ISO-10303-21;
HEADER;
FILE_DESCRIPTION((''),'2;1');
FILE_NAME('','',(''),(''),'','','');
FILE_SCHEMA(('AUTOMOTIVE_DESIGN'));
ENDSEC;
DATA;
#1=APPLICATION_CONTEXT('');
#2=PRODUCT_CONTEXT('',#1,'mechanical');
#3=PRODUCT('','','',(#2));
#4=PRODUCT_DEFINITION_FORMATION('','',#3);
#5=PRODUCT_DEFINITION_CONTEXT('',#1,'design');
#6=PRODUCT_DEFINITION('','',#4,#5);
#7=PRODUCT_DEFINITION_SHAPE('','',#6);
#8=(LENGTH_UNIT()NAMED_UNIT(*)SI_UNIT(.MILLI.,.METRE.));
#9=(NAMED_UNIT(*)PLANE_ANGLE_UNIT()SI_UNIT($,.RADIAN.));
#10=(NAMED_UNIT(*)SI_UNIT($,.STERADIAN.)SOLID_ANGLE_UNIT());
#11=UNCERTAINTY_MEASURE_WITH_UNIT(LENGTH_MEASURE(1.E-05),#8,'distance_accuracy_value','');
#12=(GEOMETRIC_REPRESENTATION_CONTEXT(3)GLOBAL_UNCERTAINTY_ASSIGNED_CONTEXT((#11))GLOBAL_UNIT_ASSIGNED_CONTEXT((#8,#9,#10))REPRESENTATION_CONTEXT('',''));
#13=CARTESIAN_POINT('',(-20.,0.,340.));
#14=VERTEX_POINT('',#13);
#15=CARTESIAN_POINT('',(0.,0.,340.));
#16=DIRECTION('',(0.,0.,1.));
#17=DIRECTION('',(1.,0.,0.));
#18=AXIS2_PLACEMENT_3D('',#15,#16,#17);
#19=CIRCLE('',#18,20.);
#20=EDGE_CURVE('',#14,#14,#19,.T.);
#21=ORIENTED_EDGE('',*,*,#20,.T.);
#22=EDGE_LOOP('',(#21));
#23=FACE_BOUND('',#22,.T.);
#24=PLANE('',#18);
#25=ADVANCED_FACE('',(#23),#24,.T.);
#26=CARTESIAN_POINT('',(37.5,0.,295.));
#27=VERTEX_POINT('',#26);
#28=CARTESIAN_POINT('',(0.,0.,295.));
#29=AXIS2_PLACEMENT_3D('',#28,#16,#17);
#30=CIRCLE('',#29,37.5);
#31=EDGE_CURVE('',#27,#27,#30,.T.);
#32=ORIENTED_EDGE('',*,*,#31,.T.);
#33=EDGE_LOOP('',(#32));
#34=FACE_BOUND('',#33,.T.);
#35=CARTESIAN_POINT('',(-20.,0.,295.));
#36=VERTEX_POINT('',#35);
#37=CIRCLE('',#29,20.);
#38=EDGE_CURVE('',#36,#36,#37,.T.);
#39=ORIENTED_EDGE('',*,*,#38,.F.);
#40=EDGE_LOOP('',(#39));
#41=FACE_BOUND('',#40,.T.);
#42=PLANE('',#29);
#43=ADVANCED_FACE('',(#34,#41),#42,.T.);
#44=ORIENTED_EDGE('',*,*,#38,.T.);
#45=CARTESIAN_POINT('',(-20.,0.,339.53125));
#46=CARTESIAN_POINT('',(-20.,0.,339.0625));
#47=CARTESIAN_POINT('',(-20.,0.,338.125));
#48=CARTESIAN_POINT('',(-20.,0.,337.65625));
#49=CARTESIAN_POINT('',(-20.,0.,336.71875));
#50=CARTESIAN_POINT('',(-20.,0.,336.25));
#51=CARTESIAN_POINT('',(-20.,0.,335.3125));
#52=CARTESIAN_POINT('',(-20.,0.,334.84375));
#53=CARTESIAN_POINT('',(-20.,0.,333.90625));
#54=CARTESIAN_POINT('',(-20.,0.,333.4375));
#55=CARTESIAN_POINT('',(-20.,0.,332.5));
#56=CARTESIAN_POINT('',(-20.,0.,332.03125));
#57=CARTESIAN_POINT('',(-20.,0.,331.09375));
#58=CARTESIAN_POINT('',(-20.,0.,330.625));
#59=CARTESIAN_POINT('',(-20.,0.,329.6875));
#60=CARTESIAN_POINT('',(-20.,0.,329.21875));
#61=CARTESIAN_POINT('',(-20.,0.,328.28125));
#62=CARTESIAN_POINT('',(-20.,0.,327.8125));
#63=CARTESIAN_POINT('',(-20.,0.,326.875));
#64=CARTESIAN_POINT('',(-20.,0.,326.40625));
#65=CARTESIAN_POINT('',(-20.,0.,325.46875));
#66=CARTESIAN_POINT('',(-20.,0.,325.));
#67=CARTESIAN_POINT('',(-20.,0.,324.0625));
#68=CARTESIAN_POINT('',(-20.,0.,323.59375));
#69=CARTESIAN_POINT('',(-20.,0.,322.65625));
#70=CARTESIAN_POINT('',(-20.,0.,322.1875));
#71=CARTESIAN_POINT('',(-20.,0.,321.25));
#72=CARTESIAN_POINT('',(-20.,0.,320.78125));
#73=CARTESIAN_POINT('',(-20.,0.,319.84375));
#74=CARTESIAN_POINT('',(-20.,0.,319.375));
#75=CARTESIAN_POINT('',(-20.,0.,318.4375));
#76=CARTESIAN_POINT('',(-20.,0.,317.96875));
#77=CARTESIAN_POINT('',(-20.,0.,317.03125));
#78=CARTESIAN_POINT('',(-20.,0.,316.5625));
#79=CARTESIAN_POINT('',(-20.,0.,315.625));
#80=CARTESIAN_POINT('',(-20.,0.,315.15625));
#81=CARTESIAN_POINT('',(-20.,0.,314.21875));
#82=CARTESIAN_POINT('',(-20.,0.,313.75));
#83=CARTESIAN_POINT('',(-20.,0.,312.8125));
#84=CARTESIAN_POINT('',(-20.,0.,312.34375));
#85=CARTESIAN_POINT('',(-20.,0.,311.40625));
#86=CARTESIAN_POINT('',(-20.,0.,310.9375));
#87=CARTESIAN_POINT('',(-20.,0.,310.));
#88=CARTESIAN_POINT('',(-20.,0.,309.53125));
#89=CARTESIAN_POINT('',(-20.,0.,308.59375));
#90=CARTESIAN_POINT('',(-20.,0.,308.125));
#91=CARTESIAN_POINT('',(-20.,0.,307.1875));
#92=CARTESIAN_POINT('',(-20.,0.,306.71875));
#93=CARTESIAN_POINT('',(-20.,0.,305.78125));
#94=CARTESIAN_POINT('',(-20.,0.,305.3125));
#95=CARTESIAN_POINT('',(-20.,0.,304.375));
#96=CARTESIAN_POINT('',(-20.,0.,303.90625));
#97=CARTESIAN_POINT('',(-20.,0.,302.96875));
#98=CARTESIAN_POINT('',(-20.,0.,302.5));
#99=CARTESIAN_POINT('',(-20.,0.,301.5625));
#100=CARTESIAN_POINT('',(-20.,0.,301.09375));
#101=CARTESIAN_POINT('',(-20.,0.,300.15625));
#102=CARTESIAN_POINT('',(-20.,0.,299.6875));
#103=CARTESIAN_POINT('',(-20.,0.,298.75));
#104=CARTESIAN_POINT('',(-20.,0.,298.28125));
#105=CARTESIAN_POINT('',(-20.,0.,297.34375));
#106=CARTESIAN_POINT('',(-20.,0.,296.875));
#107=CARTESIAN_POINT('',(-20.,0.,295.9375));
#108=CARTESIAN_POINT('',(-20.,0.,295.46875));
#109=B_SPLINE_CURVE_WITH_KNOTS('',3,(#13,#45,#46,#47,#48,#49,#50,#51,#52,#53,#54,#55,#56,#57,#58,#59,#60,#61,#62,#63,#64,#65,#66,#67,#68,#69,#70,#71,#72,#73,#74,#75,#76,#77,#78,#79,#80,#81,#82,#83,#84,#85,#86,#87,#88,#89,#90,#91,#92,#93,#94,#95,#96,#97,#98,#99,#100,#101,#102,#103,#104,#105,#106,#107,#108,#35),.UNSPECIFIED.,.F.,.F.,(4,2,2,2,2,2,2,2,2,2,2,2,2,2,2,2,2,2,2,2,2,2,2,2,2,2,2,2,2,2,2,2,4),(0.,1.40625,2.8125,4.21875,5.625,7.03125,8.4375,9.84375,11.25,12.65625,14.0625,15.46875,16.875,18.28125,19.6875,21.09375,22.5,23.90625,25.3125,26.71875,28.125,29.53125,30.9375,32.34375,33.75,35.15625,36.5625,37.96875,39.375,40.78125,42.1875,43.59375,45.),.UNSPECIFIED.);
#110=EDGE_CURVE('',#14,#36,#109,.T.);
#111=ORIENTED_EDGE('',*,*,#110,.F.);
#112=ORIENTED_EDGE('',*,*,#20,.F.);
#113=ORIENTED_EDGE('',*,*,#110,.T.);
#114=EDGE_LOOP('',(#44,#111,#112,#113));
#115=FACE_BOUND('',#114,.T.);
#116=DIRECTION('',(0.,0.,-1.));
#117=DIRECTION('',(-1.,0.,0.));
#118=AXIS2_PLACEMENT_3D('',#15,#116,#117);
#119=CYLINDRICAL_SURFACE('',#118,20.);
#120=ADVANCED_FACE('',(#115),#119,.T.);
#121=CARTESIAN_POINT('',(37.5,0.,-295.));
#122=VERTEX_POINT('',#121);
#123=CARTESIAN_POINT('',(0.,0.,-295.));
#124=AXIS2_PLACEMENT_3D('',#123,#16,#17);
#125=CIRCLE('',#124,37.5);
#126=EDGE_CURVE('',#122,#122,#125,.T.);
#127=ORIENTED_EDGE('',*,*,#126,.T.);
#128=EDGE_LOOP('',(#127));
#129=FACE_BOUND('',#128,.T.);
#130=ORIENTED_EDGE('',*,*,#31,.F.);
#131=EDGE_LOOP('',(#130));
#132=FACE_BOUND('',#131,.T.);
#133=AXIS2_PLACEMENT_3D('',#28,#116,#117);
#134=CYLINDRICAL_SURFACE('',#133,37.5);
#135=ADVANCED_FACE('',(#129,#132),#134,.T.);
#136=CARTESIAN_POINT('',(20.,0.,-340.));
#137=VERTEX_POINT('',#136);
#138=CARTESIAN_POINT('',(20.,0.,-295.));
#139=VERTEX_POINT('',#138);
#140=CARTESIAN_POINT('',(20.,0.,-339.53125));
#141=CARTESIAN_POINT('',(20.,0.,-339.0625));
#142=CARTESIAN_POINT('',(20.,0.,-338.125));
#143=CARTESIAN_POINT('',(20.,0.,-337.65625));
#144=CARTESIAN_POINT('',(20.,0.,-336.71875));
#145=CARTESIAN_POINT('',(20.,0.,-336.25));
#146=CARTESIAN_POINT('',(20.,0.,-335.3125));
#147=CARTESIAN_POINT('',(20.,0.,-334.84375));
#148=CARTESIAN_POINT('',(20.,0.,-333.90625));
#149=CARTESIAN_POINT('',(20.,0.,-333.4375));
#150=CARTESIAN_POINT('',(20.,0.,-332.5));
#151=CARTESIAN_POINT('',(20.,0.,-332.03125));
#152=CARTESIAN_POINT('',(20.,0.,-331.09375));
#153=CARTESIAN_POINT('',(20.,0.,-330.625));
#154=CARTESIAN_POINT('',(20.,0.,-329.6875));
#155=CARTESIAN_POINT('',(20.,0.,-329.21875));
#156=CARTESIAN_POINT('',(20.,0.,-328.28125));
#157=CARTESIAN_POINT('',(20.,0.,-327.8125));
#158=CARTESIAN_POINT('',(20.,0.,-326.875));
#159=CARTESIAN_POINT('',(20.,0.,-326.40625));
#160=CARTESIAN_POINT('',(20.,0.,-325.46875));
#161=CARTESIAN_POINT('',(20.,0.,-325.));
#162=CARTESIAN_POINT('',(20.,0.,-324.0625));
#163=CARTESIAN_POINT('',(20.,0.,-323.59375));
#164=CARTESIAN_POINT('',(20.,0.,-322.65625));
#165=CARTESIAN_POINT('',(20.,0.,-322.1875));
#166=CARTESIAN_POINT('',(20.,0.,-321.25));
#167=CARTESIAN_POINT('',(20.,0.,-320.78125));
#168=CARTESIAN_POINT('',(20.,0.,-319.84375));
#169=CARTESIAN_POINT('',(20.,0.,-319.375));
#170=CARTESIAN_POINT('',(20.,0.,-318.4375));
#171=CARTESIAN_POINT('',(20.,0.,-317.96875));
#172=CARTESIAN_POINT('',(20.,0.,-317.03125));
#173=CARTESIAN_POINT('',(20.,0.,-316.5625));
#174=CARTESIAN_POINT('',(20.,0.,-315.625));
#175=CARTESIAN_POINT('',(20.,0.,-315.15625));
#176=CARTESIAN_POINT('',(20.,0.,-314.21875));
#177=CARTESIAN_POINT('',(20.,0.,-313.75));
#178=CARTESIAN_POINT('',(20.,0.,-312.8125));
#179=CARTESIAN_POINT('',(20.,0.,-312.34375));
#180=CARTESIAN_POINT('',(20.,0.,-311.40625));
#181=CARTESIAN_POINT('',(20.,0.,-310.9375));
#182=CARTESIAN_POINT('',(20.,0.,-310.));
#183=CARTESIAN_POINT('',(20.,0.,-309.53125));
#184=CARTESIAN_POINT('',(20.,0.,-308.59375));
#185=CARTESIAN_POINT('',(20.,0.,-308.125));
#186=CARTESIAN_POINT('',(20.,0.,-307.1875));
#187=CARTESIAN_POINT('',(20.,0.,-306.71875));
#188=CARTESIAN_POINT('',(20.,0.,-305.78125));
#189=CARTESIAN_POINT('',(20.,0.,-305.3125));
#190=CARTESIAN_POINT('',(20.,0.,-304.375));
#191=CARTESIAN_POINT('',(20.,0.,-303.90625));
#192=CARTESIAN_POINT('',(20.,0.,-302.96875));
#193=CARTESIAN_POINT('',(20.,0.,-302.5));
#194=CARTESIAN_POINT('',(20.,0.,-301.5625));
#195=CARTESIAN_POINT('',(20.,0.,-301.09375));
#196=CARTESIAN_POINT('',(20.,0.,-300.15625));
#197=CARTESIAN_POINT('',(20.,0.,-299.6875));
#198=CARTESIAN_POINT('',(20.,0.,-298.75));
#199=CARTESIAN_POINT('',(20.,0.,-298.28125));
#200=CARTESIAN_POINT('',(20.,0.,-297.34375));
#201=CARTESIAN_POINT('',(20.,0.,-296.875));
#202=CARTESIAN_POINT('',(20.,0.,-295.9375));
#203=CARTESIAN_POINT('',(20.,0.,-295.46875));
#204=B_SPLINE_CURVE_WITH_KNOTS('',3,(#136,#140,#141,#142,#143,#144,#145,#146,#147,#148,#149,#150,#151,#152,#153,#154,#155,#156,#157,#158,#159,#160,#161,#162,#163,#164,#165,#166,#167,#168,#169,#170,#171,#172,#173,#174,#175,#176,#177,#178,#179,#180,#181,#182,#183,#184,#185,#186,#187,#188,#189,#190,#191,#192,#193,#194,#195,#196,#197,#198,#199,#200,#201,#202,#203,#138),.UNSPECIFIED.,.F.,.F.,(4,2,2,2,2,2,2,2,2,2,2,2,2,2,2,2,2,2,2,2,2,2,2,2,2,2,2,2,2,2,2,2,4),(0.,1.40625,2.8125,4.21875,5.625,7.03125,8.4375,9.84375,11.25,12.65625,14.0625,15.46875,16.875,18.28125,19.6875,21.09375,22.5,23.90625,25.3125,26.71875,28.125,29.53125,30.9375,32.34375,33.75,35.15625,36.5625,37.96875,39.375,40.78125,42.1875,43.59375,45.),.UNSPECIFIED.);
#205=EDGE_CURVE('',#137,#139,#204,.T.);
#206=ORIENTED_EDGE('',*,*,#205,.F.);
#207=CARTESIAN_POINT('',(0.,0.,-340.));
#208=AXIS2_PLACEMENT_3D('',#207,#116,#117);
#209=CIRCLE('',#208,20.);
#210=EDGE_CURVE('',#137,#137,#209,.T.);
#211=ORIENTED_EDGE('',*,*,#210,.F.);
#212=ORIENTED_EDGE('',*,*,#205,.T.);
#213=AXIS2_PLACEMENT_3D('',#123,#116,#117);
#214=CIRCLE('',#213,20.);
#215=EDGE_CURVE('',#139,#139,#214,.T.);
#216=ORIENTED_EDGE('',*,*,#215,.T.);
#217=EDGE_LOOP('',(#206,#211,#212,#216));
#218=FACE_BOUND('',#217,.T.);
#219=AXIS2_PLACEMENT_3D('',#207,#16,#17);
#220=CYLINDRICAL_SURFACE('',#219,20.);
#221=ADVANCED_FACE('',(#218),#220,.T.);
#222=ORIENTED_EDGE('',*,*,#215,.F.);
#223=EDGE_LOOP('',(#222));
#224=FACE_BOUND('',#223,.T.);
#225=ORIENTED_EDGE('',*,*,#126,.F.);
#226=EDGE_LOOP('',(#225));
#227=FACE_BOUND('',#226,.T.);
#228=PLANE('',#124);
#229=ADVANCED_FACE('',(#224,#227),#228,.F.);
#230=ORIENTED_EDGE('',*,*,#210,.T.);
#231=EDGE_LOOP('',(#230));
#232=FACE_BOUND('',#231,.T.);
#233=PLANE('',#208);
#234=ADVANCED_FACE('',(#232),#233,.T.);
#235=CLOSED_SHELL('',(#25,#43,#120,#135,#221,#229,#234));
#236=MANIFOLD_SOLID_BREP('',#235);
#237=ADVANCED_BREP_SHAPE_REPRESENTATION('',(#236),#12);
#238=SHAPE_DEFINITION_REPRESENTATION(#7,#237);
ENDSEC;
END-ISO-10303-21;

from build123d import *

# Parameters (mm, degrees)
SKETCH1_R           = 37.5
BOSS_EXTRUDE1_DEPTH = 295
SKETCH2_R           = 20
BOSS_EXTRUDE2_DEPTH = 45
BOSS_EXTRUDE3_START = 45
SKETCH3_R           = 20
BOSS_EXTRUDE3_DEPTH = 45


with BuildPart() as part:
    # Sketch1 → Boss-Extrude1 (new, symmetric)
    with BuildSketch(Plane.XY):
        Circle(SKETCH1_R)
    extrude(amount=BOSS_EXTRUDE1_DEPTH, both=True)

    # Sketch2 → Boss-Extrude2 (add)
    with BuildSketch(Plane.XY.offset(295)):
        with Locations(Location((0, 0, 0), (0, 0, 180))):
            Circle(SKETCH2_R)
    extrude(amount=BOSS_EXTRUDE2_DEPTH)

    # Sketch3 → Boss-Extrude3 (add)
    with BuildSketch(Plane(origin=(0, 0, -295), x_dir=(-1, 0, 0), z_dir=(0, 0, -1)).offset(BOSS_EXTRUDE3_START)):
        Circle(SKETCH3_R)
    extrude(amount=-BOSS_EXTRUDE3_DEPTH)


solid = part.part
